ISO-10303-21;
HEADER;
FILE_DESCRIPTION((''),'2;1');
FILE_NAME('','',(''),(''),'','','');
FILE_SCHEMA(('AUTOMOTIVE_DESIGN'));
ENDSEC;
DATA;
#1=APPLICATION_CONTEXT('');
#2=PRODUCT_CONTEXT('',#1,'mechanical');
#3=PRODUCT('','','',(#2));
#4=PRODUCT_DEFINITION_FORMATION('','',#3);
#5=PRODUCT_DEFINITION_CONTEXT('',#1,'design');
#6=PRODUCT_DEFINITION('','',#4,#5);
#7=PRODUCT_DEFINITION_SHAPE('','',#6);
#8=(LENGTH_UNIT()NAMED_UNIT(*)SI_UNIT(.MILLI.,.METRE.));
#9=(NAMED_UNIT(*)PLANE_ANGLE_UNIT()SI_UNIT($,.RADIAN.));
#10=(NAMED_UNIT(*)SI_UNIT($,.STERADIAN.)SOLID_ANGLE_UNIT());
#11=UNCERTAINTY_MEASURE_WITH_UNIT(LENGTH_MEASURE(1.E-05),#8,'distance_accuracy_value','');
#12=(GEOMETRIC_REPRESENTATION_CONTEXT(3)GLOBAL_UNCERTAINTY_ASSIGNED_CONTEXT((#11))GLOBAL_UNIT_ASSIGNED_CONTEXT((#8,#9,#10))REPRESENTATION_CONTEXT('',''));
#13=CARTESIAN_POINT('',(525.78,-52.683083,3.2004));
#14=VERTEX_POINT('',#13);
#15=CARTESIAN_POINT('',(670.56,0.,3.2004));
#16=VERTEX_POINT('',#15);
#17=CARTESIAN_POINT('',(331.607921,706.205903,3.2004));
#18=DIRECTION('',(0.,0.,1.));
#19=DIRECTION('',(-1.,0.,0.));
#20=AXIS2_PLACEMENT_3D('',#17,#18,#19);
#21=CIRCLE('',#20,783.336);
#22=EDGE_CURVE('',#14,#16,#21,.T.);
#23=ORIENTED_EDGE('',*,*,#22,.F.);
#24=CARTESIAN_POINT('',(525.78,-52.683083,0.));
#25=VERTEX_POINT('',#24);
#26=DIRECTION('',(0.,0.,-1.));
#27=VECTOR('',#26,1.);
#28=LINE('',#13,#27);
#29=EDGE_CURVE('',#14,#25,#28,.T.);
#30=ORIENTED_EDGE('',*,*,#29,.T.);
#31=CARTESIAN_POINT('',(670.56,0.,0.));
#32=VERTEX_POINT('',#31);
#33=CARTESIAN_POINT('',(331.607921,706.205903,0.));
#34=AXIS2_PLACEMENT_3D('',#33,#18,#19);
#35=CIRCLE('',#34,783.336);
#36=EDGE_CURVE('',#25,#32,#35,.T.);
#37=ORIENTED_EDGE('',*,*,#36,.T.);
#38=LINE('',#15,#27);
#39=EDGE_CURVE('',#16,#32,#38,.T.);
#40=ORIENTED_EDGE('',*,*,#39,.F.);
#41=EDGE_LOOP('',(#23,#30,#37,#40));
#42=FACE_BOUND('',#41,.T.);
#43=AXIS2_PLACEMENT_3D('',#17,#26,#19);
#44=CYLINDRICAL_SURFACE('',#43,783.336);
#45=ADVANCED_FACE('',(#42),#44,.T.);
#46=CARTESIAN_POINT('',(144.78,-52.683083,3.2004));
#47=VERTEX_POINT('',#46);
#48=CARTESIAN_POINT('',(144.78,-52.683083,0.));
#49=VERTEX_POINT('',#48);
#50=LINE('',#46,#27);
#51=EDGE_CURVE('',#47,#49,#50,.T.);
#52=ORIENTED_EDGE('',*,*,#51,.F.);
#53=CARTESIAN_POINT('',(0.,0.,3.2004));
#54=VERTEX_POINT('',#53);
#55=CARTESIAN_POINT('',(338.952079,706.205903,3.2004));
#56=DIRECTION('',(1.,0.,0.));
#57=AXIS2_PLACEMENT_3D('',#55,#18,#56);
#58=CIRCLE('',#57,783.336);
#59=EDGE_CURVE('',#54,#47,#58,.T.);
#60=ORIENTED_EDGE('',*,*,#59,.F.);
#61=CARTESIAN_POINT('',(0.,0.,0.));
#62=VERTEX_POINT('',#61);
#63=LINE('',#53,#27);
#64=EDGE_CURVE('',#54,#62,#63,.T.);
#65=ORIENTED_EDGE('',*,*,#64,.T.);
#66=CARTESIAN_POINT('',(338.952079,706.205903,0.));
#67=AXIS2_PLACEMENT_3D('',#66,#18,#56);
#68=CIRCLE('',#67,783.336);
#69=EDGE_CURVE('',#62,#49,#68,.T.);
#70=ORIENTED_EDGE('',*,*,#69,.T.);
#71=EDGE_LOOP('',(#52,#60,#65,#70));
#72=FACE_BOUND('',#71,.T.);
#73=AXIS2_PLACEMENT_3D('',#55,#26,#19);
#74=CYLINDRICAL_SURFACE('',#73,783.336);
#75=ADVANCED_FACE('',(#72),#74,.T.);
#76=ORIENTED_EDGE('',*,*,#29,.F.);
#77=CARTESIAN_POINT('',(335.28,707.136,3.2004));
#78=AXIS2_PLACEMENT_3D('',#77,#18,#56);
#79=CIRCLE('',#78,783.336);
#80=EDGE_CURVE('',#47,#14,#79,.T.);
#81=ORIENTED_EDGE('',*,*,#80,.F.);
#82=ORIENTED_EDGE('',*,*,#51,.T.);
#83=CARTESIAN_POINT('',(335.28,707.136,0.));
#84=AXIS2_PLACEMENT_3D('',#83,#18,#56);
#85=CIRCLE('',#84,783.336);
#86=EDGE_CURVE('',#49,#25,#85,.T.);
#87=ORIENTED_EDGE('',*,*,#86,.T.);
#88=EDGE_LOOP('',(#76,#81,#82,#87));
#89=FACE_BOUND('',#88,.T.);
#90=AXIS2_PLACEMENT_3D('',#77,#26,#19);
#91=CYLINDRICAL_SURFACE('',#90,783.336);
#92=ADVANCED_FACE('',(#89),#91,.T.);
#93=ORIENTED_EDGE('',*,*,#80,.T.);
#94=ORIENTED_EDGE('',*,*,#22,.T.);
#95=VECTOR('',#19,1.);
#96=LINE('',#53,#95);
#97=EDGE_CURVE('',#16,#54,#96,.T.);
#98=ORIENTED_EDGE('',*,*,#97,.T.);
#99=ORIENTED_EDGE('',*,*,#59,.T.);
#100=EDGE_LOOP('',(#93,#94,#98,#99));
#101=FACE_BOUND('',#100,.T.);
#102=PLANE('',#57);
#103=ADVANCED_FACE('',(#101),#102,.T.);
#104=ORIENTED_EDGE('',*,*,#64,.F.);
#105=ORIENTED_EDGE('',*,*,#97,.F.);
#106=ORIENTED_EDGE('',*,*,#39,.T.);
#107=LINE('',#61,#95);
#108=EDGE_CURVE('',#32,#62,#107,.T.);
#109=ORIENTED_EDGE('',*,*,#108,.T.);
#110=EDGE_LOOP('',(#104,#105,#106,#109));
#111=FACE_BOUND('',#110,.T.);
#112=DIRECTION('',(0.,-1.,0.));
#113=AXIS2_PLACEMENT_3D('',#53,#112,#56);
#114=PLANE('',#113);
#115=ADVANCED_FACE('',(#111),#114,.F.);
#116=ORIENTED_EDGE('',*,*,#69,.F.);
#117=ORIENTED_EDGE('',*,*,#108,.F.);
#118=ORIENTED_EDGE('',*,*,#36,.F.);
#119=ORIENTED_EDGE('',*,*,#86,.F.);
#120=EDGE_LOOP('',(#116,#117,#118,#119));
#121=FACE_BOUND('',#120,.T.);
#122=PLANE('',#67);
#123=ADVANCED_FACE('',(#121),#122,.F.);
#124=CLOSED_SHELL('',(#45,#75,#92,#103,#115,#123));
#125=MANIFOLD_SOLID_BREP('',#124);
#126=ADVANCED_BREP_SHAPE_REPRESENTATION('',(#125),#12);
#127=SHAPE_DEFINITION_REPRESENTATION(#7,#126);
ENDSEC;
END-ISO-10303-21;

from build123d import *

# Parameters (mm, degrees)
BOSS_EXTRUDE1_DEPTH = 3.2004


with BuildPart() as part:
    # Sketch1 → Boss-Extrude1 (new body)
    with BuildSketch(Plane.XY):
        with BuildLine():
            Line((0, 0), (670.56, 0))
            ThreePointArc((670.56, 0), (599.468367444, -29.90962499), (525.78, -52.683083003))
            ThreePointArc((525.78, -52.683083003), (335.28, -76.2), (144.78, -52.683083003))
            ThreePointArc((144.78, -52.683083003), (71.091632556, -29.90962499), (0, 0))
        make_face()
    extrude(amount=BOSS_EXTRUDE1_DEPTH)


solid = part.part
